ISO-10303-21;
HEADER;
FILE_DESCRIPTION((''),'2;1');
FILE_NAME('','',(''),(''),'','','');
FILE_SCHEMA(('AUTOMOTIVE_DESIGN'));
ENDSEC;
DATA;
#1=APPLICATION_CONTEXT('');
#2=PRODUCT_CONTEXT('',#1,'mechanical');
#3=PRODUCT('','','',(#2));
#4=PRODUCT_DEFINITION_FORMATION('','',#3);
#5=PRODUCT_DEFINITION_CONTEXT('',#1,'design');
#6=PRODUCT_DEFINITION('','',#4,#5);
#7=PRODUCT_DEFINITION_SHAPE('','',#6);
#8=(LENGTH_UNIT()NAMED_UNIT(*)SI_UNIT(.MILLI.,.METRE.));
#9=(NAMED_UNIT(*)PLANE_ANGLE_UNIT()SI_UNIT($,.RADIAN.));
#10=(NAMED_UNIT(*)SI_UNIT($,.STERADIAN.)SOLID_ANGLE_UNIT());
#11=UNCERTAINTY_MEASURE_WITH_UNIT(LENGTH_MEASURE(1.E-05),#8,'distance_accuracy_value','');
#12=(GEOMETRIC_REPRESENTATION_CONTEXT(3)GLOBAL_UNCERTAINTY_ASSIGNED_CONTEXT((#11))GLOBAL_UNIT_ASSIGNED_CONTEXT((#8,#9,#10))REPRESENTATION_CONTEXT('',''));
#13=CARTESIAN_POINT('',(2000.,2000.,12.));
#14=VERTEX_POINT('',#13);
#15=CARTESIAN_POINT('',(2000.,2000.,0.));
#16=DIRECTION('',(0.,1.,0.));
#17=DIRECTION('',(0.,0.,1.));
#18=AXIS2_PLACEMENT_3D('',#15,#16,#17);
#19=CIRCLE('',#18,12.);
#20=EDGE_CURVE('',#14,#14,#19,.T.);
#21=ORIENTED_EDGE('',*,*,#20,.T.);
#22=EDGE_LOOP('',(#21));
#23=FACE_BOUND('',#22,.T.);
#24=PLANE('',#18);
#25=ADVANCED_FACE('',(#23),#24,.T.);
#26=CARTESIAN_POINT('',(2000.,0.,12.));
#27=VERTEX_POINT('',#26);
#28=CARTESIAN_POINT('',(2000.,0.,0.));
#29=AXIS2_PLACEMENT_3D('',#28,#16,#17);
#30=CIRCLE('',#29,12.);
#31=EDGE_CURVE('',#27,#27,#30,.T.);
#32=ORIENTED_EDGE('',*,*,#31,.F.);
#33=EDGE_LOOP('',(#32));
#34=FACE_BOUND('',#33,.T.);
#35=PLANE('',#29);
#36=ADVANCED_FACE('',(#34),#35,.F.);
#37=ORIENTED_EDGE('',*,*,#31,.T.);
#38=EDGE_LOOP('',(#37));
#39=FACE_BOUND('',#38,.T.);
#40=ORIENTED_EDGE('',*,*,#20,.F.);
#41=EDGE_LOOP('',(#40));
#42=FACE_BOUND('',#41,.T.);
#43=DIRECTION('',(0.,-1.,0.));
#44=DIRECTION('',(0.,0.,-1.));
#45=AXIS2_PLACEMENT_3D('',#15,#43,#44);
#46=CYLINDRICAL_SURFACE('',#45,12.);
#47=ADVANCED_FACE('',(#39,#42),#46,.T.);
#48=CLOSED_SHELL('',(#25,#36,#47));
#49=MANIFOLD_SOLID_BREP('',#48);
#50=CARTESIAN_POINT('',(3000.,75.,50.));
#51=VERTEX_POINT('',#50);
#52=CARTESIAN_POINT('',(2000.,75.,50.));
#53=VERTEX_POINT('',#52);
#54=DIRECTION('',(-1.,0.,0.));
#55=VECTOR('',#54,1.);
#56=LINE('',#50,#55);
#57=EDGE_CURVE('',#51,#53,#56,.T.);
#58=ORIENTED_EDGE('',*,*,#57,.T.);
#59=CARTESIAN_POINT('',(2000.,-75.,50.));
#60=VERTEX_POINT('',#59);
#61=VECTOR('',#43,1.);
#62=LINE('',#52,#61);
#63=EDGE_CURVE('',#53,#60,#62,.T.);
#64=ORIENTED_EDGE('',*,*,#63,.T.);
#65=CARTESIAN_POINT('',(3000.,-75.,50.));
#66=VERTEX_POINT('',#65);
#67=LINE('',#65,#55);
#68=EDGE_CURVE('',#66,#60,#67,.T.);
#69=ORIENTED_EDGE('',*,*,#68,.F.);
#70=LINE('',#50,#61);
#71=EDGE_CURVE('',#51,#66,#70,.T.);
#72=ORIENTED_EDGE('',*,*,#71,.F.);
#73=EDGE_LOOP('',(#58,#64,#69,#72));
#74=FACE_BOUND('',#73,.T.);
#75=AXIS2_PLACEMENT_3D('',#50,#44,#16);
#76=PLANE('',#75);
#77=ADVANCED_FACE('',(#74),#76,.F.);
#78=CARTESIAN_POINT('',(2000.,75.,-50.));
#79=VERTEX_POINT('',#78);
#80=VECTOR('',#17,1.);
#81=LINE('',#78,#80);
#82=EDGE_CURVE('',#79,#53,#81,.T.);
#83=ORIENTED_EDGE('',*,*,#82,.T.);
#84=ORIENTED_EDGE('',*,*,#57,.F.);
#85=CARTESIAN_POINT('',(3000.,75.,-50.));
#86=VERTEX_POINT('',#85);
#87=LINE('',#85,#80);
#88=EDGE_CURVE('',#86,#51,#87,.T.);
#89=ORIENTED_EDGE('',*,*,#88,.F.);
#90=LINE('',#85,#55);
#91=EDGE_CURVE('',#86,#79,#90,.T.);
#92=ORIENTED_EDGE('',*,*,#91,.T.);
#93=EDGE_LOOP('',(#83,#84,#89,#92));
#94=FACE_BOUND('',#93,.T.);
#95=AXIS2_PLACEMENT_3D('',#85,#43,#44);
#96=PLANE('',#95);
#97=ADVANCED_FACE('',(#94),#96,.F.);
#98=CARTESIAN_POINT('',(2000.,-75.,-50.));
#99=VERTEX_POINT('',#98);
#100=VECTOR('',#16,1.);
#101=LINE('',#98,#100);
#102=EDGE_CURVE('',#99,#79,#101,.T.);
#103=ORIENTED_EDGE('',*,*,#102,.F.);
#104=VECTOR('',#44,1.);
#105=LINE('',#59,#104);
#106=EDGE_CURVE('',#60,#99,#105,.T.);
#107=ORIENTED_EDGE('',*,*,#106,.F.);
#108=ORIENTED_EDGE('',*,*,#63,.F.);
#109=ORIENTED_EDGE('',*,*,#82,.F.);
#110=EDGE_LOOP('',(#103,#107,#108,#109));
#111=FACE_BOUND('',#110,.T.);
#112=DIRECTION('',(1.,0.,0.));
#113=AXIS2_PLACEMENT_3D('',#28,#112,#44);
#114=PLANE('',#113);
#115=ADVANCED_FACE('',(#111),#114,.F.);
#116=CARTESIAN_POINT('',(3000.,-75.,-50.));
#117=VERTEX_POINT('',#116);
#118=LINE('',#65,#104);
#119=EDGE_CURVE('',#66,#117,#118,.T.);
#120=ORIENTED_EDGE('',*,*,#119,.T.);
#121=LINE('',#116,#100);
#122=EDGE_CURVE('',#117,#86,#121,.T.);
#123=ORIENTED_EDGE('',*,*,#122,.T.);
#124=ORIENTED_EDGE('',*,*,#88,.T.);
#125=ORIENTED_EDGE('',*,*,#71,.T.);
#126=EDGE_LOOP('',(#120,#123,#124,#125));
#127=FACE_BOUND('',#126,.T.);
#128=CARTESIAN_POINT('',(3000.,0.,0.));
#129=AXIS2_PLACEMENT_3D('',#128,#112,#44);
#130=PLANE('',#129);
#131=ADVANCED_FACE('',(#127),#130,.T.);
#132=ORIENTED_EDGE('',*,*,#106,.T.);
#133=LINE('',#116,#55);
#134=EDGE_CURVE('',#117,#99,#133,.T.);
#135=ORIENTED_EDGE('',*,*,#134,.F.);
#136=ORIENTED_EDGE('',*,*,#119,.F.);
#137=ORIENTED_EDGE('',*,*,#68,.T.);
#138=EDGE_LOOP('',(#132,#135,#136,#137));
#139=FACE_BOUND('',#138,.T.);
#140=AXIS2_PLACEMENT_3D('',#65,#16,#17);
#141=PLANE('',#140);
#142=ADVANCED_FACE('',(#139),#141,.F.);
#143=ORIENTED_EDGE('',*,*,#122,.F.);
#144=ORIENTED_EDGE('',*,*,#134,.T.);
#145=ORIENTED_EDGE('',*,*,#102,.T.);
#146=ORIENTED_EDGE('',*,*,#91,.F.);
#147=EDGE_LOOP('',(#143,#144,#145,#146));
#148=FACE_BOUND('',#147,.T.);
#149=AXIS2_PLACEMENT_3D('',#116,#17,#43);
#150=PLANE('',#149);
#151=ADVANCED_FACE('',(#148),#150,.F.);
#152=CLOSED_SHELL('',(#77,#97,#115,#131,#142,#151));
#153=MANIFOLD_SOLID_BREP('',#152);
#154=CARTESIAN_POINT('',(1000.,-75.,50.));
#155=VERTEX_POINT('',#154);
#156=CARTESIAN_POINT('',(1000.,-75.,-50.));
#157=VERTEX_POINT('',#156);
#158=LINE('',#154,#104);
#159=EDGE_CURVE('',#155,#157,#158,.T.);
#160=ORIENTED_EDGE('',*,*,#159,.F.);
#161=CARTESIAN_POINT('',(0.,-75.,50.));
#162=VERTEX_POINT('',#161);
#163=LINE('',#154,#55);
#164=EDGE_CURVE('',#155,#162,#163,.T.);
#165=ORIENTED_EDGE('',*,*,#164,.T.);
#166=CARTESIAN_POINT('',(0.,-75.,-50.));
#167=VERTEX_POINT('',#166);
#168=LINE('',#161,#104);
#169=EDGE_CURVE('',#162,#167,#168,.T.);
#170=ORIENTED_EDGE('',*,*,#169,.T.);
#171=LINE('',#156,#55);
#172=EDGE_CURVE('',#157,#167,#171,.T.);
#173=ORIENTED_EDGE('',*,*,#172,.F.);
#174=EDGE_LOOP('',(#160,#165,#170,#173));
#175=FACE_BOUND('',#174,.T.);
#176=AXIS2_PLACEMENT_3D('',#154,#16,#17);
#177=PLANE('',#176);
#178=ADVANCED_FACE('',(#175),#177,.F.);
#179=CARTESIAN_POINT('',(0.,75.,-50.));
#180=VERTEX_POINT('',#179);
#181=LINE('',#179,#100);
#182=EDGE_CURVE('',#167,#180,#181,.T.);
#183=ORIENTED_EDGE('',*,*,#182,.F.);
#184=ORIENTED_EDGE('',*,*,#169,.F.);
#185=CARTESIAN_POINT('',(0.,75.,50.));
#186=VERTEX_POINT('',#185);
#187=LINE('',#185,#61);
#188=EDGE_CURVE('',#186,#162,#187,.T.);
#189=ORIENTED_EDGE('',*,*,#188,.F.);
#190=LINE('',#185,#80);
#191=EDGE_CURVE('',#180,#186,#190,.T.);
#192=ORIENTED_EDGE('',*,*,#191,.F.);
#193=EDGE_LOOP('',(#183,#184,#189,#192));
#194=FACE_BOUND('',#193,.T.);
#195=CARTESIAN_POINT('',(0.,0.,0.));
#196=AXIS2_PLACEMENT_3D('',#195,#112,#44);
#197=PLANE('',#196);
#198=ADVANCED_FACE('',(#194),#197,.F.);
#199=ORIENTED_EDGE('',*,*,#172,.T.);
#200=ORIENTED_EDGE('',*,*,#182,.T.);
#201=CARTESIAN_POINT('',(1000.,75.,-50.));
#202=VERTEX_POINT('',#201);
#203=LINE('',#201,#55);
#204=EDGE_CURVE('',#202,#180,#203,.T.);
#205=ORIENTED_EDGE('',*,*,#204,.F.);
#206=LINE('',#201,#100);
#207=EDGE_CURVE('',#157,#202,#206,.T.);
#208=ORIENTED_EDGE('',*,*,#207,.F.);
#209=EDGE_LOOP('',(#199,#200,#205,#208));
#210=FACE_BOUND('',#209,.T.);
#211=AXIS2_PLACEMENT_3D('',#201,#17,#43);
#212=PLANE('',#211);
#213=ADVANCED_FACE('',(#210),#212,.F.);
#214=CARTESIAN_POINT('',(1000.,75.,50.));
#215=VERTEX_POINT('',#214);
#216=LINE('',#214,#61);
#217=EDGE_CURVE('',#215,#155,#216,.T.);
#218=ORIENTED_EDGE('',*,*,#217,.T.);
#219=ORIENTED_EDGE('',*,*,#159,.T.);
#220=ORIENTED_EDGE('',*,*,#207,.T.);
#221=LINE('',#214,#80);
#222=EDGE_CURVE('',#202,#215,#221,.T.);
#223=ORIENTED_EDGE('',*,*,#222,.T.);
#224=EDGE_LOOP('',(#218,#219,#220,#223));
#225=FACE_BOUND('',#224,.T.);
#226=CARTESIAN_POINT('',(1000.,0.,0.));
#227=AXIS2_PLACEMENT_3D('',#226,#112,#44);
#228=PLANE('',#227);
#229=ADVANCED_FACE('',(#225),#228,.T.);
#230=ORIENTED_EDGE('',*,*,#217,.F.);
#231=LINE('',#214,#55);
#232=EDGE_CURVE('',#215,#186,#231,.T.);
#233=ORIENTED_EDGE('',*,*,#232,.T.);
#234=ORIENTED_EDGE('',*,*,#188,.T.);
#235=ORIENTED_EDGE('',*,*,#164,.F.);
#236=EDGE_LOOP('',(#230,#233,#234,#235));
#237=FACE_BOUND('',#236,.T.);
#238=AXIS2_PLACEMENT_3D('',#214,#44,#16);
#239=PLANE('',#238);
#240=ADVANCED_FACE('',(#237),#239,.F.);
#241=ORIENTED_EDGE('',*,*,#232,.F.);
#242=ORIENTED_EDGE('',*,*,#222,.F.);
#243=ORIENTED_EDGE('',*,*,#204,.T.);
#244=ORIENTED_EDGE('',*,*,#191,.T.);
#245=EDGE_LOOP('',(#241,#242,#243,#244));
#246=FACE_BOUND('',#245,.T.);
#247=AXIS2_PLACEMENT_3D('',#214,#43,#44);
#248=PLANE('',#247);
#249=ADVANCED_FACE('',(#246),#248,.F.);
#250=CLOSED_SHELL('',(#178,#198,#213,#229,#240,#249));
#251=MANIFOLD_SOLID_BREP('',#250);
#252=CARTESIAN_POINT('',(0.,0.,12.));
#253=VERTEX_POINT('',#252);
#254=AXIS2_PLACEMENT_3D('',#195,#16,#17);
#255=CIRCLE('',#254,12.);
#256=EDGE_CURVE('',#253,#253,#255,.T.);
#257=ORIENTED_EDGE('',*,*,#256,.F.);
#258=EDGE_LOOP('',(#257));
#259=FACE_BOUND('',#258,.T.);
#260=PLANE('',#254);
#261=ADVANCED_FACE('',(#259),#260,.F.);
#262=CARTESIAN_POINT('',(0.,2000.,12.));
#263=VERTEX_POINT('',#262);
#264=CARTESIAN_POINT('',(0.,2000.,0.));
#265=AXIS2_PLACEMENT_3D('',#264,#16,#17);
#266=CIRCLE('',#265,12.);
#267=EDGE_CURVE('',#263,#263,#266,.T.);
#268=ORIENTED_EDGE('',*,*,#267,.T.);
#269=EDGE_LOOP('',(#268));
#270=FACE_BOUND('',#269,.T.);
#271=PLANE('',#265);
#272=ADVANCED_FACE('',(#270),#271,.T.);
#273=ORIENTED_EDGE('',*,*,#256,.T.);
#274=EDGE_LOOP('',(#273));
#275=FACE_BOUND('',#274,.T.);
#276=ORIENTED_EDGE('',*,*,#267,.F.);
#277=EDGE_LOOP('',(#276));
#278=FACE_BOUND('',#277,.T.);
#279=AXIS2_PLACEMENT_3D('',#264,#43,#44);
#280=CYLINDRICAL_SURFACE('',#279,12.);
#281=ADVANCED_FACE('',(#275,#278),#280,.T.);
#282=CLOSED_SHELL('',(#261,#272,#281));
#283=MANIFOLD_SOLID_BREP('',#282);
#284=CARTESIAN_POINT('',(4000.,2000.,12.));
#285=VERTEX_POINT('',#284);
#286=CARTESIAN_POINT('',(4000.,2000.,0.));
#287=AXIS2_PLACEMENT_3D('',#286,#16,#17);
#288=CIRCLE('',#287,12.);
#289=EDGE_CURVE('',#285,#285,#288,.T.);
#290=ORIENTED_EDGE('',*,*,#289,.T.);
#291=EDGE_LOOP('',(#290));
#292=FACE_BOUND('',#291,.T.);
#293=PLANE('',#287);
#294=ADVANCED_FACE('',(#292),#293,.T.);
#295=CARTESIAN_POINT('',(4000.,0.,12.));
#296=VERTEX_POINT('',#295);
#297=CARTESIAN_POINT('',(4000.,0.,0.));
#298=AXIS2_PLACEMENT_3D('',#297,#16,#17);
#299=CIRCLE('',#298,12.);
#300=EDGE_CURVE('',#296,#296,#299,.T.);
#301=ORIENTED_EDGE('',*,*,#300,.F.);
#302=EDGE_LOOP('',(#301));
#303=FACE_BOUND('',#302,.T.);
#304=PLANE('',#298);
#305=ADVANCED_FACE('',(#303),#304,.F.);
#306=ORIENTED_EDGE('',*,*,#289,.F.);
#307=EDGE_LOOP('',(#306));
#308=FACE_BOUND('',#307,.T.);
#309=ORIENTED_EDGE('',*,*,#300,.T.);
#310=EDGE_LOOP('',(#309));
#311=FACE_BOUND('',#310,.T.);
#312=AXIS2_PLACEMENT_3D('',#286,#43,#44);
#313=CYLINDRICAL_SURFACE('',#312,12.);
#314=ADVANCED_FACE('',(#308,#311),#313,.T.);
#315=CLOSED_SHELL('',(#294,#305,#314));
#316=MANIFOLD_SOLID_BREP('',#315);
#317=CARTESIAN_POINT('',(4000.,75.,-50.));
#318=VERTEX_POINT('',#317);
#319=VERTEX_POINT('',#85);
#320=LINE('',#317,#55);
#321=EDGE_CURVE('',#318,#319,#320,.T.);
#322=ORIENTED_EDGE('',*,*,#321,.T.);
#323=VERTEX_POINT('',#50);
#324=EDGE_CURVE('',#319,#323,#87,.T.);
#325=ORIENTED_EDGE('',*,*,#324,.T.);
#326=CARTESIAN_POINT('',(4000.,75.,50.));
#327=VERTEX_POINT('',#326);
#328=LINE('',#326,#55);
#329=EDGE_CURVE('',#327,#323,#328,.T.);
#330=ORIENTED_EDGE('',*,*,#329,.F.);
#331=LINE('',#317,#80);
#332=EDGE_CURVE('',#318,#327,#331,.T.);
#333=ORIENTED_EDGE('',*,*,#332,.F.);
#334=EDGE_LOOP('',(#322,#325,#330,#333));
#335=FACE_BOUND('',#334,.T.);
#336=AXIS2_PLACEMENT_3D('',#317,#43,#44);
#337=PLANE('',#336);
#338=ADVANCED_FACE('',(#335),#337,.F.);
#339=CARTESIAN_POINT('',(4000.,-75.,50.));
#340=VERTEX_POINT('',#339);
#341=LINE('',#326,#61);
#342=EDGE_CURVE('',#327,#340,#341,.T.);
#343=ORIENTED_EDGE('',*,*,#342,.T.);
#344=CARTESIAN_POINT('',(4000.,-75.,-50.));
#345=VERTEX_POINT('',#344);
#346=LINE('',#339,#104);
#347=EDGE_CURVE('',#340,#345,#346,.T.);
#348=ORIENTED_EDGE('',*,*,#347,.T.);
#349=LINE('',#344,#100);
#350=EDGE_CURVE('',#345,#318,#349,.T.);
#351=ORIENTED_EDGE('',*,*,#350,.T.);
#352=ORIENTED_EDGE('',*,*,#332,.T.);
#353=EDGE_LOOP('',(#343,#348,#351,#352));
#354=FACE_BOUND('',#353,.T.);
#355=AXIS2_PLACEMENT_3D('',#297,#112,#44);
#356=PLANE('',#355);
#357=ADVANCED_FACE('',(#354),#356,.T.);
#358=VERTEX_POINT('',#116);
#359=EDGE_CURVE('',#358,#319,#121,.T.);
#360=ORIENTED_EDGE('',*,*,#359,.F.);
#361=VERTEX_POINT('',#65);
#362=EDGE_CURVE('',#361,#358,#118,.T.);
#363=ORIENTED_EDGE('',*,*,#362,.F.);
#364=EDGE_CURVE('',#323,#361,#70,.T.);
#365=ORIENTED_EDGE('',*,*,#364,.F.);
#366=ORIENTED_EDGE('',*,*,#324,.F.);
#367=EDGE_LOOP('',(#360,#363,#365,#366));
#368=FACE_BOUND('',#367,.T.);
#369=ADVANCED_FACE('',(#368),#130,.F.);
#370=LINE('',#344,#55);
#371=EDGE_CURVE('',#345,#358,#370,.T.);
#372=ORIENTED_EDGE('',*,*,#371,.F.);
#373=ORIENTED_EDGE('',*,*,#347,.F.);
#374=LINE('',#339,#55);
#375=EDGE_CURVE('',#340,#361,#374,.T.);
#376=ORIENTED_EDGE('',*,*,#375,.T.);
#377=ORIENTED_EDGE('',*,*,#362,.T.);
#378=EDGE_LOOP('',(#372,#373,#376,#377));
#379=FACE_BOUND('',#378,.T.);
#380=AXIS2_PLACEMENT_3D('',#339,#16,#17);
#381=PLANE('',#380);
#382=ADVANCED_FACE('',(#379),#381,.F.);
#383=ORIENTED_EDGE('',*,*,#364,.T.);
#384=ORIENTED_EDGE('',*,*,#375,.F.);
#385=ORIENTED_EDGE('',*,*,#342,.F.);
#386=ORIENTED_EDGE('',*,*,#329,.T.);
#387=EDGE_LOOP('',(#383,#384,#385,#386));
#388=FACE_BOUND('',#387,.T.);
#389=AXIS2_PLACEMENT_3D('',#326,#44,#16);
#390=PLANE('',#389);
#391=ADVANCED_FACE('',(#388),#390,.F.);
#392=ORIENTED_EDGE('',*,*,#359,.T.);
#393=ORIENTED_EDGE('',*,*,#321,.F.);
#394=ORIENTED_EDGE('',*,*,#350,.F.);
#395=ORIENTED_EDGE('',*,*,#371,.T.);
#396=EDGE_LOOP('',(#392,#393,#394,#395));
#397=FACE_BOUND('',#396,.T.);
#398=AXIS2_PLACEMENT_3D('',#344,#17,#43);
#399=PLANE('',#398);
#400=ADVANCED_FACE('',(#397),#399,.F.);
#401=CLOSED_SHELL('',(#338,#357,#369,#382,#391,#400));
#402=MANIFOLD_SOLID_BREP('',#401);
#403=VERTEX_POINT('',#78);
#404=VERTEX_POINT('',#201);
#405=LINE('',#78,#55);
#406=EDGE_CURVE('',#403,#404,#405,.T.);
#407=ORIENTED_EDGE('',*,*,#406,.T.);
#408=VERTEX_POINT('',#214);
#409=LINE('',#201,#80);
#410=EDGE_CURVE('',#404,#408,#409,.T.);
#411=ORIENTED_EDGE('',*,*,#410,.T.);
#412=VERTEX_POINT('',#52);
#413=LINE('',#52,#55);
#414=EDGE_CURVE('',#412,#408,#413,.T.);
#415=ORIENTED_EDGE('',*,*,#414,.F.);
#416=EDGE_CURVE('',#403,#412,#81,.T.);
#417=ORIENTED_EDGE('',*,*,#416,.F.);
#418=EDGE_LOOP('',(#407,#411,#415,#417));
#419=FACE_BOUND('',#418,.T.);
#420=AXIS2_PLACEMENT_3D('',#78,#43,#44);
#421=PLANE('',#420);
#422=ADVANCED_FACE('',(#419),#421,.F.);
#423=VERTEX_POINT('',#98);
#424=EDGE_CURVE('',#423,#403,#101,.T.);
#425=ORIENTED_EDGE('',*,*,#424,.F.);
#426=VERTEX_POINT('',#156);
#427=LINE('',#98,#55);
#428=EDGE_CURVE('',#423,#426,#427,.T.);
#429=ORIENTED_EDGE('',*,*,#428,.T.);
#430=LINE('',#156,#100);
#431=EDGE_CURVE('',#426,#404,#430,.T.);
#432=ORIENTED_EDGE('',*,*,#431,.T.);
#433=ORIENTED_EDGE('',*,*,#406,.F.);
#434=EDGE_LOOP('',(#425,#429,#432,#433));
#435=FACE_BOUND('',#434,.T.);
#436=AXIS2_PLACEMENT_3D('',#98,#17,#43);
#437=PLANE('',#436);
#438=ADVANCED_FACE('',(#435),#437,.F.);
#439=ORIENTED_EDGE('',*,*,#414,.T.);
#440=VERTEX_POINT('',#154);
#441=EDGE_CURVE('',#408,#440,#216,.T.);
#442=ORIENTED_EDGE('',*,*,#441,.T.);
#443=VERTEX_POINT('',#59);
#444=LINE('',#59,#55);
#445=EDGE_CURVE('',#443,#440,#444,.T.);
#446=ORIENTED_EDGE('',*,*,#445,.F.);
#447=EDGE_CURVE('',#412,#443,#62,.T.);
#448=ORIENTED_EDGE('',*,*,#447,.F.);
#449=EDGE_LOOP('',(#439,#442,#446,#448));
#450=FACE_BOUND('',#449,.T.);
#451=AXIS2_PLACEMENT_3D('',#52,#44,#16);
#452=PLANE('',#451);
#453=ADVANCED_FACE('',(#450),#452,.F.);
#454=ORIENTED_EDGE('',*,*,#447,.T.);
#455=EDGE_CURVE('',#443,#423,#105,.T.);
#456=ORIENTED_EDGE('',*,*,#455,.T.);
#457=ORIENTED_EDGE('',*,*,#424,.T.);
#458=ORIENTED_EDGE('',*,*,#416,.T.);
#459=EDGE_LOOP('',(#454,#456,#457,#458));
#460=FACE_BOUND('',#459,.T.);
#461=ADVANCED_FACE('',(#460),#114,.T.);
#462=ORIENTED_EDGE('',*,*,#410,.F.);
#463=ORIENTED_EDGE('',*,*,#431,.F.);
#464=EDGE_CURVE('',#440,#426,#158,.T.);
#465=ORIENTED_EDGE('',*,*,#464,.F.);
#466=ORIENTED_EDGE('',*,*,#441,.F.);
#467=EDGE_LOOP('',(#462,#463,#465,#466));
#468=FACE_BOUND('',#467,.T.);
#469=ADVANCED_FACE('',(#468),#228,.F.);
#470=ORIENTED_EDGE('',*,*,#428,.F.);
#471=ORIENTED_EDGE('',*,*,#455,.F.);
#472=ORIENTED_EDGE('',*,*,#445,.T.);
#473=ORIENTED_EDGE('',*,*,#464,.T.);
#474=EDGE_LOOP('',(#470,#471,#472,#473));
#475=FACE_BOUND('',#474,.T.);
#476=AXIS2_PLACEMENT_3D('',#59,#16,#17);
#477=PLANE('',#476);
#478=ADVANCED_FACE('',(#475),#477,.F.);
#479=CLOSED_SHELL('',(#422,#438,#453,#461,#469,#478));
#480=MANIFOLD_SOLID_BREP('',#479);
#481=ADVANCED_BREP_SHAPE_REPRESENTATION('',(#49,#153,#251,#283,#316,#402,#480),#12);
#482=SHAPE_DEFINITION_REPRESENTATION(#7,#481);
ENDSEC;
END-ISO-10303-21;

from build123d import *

# Parameters (mm, degrees)
SKETCH1_W        = 100
SKETCH1_H        = 150
SEGMENT_1_DEPTH  = 1000
SKETCH2_W        = 100
SKETCH2_H        = 150
SEGMENT_2_DEPTH  = 1000
SKETCH3_W        = 100
SKETCH3_H        = 150
SEGMENT_3_DEPTH  = 1000
SKETCH4_W        = 100
SKETCH4_H        = 150
SEGMENT_4_DEPTH  = 1000
SKETCH5_R        = 12
LINKAGES_DEPTH   = 2000
LINKAGES_2_DEPTH = 2000
LINKAGES_3_DEPTH = 2000


with BuildPart() as part:
    # Sketch1 → Segment 1 (new body)
    with BuildSketch(Plane(origin=(0, 0, 0), x_dir=(0, 0, -1), z_dir=(1, 0, 0))):
        Rectangle(SKETCH1_W, SKETCH1_H)
    extrude(amount=SEGMENT_1_DEPTH)


with BuildPart() as body_2:
    # Sketch2 → Segment 2 (new body)
    with BuildSketch(Plane(origin=(1000, 0, 0), x_dir=(0, 0, -1), z_dir=(1, 0, 0))):
        Rectangle(SKETCH2_W, SKETCH2_H)
    extrude(amount=SEGMENT_2_DEPTH)


with BuildPart() as body_3:
    # Sketch3 → Segment 3 (new body)
    with BuildSketch(Plane(origin=(2000, 0, 0), x_dir=(0, 0, -1), z_dir=(1, 0, 0))):
        Rectangle(SKETCH3_W, SKETCH3_H)
    extrude(amount=SEGMENT_3_DEPTH)


with BuildPart() as body_4:
    # Sketch4 → Segment 4 (new body)
    with BuildSketch(Plane(origin=(3000, 0, 0), x_dir=(0, 0, -1), z_dir=(1, 0, 0))):
        Rectangle(SKETCH4_W, SKETCH4_H)
    extrude(amount=SEGMENT_4_DEPTH)


with BuildPart() as body_5:
    # Sketch5 → Linkages (new body)
    with BuildSketch(Plane(origin=(0, 0, 0), x_dir=(1, 0, 0), z_dir=(0, 1, 0))):
        Circle(SKETCH5_R)
    extrude(amount=LINKAGES_DEPTH)


with BuildPart() as body_6:
    # Sketch5 → Linkages 2 (new body)
    with BuildSketch(Plane(origin=(0, 0, 0), x_dir=(1, 0, 0), z_dir=(0, 1, 0))):
        with Locations((2000, 0)):
            Circle(SKETCH5_R)
    extrude(amount=LINKAGES_2_DEPTH)


with BuildPart() as body_7:
    # Sketch5 → Linkages 3 (new body)
    with BuildSketch(Plane(origin=(0, 0, 0), x_dir=(1, 0, 0), z_dir=(0, 1, 0))):
        with Locations((4000, 0)):
            Circle(SKETCH5_R)
    extrude(amount=LINKAGES_3_DEPTH)


solid = Compound([part.part, body_2.part, body_3.part, body_4.part, body_5.part, body_6.part, body_7.part])
